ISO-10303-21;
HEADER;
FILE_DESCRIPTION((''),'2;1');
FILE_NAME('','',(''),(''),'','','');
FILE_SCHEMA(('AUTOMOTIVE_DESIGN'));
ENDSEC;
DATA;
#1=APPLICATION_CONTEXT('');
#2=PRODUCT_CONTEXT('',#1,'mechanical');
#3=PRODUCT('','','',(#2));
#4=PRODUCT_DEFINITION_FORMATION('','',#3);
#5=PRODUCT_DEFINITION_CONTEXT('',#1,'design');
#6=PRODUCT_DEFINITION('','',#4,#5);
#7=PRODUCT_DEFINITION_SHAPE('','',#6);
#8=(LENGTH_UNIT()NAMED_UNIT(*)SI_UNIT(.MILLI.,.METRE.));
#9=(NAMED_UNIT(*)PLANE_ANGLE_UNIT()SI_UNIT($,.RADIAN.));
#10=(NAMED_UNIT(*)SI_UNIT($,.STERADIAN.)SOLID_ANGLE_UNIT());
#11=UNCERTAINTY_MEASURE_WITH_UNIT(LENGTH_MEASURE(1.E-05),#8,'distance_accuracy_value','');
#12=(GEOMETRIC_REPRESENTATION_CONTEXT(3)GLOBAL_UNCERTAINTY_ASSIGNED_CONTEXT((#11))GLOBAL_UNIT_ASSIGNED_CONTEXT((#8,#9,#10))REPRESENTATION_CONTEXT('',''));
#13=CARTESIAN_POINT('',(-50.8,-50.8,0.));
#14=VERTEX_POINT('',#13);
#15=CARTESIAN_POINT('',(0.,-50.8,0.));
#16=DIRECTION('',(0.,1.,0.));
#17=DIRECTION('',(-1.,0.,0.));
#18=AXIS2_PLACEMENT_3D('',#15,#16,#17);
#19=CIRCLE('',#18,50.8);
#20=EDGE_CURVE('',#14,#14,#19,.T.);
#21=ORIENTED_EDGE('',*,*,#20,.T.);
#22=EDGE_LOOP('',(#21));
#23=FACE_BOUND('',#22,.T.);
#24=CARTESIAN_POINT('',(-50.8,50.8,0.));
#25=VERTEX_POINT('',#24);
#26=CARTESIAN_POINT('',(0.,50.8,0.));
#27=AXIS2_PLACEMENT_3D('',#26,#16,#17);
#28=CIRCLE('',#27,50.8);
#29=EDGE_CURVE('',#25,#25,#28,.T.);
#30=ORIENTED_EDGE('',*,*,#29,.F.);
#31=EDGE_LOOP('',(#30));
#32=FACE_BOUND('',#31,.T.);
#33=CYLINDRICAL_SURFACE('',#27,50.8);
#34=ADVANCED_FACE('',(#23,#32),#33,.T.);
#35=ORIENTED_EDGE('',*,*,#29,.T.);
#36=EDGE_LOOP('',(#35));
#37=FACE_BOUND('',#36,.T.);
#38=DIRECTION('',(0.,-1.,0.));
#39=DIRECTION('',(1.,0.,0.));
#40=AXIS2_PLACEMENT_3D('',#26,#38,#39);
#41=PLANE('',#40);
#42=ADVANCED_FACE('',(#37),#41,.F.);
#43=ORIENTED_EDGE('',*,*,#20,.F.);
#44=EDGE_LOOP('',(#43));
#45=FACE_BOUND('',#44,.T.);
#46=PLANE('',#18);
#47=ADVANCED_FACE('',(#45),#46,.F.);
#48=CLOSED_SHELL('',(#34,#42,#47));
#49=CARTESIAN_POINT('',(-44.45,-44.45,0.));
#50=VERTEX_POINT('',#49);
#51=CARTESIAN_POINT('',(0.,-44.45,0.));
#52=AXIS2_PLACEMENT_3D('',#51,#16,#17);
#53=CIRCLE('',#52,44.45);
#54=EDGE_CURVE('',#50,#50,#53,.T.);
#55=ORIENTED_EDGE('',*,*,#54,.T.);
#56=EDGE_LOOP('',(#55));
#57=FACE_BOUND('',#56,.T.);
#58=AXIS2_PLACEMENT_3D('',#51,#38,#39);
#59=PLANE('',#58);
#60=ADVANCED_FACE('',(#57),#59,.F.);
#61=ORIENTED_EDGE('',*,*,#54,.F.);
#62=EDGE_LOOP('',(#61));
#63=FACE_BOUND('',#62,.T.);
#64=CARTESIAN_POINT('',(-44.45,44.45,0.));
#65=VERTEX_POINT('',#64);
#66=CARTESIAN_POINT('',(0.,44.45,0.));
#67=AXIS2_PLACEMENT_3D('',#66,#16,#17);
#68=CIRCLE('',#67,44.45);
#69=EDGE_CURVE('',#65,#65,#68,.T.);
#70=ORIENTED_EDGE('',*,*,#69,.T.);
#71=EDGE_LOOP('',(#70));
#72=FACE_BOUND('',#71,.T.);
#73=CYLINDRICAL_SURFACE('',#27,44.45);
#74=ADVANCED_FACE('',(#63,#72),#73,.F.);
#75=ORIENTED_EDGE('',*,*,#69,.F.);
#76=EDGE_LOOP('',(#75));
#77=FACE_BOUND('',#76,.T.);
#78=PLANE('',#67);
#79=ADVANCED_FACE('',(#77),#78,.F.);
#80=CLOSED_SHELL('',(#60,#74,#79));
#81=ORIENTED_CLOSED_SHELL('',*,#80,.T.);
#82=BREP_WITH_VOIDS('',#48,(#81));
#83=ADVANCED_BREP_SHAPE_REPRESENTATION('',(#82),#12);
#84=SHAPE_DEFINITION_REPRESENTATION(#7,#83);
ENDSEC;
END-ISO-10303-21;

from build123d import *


with BuildPart() as part:
    # Sketch1 → Revolve1 (revolve)
    with BuildSketch(Plane.XY, mode=Mode.PRIVATE) as revolve1_sk:
        Polygon((50.8, 50.8), (0, 50.8), (0, 44.45), (44.45, 44.45), (44.45, -44.45), (0, -44.45), (0, -50.8), (50.8, -50.8), align=None)
    revolve(revolve1_sk.sketch.rotate(Axis((0, 50.8, 0), (0, -1, 0)), 180), axis=Axis((0, 50.8, 0), (0, -1, 0)))


solid = part.part
